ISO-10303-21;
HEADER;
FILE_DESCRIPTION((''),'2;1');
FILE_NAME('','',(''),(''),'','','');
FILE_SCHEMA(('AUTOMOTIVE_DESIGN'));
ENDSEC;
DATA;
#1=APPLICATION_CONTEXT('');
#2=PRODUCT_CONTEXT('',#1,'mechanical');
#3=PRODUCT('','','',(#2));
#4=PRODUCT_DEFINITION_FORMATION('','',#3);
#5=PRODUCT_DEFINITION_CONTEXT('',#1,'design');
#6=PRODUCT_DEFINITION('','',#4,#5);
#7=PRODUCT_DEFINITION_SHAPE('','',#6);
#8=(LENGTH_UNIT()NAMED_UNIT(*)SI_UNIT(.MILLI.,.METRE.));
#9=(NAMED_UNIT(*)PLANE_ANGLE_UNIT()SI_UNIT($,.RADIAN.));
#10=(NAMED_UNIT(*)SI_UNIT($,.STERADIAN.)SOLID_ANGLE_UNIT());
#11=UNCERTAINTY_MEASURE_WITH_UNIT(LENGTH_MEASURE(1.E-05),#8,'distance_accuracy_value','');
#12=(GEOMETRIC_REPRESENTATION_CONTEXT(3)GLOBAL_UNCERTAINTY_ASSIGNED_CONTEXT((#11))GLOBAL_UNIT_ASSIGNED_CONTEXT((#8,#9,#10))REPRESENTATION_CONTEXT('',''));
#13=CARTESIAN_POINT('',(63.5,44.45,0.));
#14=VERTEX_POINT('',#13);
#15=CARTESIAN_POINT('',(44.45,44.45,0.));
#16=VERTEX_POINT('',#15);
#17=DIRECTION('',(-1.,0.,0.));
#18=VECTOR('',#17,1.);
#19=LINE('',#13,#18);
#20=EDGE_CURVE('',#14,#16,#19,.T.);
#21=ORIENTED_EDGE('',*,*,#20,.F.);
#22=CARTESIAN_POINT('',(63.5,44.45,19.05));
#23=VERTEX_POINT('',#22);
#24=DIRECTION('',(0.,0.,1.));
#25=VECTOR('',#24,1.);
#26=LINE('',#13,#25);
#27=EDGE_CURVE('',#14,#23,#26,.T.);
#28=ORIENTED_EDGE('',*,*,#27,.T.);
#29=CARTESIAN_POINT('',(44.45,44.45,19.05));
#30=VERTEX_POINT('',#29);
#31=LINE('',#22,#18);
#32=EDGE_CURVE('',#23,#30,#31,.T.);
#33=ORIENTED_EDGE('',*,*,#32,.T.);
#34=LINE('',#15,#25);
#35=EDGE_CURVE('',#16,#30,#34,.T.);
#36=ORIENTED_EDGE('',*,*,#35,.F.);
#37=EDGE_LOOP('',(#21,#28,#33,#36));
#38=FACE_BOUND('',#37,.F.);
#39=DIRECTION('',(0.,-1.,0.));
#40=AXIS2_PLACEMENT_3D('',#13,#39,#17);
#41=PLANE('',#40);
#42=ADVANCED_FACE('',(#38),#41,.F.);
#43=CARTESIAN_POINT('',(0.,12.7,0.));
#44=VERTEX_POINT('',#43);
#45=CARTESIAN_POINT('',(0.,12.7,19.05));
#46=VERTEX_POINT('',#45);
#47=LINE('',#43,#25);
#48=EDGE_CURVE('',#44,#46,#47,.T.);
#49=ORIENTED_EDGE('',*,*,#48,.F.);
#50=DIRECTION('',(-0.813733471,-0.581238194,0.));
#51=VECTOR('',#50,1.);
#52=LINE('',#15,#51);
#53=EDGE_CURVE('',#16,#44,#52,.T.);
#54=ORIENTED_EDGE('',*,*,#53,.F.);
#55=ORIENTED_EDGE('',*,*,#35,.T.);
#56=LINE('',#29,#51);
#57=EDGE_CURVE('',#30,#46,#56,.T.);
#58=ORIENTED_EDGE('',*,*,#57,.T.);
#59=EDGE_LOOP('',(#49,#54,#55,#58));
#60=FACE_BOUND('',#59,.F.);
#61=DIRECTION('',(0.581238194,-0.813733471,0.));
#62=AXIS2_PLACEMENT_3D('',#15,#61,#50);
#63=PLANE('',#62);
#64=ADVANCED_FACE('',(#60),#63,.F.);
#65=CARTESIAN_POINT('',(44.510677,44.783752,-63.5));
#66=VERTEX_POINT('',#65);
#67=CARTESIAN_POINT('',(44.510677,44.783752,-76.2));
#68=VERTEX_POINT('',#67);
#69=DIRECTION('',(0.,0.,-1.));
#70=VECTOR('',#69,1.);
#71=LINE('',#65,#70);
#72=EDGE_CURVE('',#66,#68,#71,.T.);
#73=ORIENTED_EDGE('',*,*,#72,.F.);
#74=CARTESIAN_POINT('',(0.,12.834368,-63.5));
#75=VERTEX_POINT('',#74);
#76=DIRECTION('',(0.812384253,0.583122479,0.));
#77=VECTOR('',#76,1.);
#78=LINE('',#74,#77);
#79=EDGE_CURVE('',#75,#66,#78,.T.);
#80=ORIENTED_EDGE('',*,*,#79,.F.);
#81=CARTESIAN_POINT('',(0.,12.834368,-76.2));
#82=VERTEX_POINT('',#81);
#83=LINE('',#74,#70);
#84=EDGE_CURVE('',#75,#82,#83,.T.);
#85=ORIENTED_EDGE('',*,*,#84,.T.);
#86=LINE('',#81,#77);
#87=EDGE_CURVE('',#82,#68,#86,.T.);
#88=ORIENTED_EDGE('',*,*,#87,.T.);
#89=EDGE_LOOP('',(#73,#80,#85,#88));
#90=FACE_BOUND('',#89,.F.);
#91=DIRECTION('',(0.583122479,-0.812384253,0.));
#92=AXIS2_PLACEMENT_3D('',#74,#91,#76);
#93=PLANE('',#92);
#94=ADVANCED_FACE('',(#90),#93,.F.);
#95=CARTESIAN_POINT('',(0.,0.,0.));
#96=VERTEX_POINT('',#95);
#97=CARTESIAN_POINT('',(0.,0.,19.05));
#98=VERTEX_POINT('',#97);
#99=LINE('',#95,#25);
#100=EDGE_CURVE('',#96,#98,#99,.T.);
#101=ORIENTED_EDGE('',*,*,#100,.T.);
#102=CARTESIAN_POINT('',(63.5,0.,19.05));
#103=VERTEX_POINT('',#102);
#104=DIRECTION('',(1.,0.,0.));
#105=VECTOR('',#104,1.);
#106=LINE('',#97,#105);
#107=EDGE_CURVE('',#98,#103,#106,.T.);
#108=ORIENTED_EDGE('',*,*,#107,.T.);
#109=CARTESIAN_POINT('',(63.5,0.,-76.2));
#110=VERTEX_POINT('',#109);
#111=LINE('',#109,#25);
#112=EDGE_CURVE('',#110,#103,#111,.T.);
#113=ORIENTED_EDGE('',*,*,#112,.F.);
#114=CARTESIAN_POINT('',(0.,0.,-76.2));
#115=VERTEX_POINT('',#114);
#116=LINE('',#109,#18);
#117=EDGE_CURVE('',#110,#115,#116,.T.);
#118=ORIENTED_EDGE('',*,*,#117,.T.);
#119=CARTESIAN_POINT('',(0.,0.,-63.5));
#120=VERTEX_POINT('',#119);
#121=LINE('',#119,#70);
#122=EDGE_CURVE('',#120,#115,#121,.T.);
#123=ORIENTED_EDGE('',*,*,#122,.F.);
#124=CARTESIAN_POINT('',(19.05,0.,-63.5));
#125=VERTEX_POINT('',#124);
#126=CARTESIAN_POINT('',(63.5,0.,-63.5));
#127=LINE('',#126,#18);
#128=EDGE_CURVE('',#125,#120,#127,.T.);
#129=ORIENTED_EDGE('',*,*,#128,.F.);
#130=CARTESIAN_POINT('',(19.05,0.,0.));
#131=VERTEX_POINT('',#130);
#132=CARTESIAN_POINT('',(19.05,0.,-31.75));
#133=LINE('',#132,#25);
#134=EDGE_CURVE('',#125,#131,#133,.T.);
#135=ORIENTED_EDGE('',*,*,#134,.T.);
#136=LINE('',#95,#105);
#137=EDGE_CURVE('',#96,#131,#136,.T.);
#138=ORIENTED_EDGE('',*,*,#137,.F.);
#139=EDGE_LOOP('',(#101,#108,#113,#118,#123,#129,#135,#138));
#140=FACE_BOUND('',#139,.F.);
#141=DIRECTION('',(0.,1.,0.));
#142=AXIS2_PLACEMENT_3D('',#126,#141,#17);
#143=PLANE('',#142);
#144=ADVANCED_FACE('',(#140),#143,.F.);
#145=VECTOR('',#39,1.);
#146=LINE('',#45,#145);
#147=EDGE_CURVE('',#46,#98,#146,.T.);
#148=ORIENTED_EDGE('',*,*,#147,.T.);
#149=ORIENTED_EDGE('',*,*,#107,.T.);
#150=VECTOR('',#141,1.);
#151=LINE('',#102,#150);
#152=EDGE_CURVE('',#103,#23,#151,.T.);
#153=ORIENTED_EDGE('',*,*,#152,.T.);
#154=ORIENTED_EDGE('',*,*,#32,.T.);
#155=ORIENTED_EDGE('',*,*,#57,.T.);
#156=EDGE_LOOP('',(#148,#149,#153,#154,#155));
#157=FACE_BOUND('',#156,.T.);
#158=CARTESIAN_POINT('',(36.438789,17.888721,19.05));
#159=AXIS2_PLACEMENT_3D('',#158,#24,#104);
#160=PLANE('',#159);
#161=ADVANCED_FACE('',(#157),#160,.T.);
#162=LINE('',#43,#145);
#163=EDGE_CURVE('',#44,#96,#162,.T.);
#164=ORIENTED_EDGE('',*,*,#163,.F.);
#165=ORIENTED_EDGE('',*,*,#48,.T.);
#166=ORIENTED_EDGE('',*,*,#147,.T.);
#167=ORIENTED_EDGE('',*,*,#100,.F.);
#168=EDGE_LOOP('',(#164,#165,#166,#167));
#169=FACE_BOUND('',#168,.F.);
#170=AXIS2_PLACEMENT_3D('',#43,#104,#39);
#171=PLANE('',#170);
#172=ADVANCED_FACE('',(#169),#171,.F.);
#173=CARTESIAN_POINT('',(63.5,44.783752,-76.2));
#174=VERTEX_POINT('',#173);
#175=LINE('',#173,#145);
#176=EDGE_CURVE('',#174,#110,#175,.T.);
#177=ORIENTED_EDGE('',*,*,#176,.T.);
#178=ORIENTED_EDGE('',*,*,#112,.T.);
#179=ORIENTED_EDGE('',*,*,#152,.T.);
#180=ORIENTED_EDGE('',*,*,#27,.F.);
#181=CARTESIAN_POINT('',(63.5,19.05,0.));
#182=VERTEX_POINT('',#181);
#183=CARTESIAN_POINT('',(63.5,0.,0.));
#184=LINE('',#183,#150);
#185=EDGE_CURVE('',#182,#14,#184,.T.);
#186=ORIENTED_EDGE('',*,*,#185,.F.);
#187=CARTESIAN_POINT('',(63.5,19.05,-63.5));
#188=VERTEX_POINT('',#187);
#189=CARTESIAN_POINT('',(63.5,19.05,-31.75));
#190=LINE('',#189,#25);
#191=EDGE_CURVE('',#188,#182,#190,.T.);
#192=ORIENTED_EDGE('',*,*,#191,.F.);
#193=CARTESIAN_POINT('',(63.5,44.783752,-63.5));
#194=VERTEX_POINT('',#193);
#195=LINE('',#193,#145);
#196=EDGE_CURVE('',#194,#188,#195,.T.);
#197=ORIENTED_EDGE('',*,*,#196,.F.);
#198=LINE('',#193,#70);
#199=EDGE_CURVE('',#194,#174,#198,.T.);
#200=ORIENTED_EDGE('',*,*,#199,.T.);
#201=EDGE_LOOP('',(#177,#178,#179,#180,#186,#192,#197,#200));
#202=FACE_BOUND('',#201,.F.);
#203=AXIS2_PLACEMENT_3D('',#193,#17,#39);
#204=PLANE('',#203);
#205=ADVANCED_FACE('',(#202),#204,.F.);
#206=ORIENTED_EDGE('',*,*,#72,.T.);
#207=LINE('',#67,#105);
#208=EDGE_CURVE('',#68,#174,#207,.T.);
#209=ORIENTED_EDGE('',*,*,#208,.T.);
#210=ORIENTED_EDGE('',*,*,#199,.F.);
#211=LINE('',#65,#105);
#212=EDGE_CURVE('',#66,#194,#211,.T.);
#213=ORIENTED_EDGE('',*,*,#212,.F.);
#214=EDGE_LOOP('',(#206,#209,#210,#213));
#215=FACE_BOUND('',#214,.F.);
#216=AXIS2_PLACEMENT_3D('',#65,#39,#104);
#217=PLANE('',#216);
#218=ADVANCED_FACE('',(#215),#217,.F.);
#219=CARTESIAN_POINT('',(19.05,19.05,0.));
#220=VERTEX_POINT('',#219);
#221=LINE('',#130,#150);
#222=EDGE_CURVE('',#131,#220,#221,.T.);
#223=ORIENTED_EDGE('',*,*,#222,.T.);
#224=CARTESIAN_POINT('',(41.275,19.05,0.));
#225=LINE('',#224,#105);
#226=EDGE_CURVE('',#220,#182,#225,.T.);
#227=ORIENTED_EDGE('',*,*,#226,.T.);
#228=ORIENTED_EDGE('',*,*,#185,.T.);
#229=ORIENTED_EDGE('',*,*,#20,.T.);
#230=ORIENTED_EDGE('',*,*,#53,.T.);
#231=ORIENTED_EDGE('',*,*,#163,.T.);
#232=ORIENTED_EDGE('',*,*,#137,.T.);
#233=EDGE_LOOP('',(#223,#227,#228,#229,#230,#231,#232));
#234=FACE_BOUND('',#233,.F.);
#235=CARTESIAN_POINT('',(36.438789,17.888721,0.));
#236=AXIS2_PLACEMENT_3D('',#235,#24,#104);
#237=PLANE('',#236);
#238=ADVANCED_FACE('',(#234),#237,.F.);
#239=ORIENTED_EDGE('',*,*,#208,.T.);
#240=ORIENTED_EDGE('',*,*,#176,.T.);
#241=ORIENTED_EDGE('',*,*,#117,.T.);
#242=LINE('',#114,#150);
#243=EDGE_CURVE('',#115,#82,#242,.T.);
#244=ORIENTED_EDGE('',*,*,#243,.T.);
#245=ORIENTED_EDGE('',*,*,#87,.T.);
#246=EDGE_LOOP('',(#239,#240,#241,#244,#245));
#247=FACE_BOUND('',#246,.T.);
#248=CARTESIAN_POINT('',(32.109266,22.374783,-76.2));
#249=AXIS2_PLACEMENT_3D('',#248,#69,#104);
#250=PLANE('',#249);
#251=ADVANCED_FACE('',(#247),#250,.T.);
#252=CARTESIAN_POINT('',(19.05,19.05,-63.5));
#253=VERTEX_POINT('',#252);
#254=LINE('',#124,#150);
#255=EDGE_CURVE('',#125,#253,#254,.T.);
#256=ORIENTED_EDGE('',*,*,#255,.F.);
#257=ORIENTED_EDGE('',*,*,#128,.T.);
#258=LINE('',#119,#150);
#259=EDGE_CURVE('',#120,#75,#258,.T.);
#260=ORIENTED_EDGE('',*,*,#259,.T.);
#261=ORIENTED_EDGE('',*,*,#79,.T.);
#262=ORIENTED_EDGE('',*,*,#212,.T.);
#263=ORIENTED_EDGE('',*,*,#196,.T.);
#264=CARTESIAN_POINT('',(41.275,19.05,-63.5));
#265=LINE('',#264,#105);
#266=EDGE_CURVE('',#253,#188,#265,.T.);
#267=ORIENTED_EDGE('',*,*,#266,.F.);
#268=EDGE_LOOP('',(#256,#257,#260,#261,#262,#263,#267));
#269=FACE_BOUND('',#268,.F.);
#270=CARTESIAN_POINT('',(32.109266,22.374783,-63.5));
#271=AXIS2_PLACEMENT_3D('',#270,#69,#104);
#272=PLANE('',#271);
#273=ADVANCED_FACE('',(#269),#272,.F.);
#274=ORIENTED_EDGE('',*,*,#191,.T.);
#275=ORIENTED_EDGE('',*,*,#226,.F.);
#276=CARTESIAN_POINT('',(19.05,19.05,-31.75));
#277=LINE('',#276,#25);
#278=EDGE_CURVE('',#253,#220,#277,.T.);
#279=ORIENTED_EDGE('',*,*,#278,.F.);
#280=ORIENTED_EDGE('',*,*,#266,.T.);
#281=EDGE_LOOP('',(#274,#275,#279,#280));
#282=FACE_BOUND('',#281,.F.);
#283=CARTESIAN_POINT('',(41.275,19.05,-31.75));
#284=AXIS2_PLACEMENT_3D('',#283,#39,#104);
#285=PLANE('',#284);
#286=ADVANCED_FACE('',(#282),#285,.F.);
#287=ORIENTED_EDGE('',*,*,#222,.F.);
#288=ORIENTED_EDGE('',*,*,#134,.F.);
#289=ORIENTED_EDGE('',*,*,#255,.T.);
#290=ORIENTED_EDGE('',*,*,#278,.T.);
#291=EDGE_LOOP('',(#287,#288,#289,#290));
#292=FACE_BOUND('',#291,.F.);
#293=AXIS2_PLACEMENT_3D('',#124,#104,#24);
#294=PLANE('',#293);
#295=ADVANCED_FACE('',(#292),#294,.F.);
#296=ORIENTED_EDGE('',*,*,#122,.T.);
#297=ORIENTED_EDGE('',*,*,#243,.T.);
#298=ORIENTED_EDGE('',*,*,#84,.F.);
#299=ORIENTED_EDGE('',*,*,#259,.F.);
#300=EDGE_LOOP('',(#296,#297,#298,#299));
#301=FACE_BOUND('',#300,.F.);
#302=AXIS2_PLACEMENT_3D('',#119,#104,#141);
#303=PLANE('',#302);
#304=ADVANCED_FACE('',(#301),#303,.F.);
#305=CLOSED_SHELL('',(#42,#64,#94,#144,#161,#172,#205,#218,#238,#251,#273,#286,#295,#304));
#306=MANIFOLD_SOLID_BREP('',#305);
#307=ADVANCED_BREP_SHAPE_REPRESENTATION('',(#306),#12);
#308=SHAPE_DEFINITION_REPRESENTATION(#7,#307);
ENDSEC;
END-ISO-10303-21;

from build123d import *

# Parameters (mm, degrees)
F1_DEPTH = 19.05
F2_W     = 44.45
F2_H     = 63.5
F3_DEPTH = 19.05
F4_W     = 44.45
F4_H     = 19.05
F5_DEPTH = 12.7


with BuildPart() as f1:
    # F0 (on Top) → F1 (new body)
    with BuildSketch(Plane.XY):
        Polygon((0, 12.7), (0, 0), (63.5, 0), (63.5, 44.45), (44.45, 44.45), align=None)
    extrude(amount=F1_DEPTH)

    # F2 (on Front) → F3 (join)
    with BuildSketch(Plane.XZ):
        with Locations((41.275, -31.75)):
            Rectangle(F2_W, F2_H)
    extrude(amount=-F3_DEPTH)

    # F4 (on face) → F5 (join)
    with BuildSketch(Plane(origin=(0, 0, -63.5), x_dir=(1, 0, 0), z_dir=(0, 0, -1))):
        Polygon((19.05, 0), (0, 0), (0, -12.8343682736), (44.5106774569, -44.7837524116), (63.5, -44.7837524116), (63.5, -19.05), (19.05, -19.05), align=None)
        with Locations((41.275, -9.525)):
            Rectangle(F4_W, F4_H)
    extrude(amount=F5_DEPTH)


solid = f1.part
